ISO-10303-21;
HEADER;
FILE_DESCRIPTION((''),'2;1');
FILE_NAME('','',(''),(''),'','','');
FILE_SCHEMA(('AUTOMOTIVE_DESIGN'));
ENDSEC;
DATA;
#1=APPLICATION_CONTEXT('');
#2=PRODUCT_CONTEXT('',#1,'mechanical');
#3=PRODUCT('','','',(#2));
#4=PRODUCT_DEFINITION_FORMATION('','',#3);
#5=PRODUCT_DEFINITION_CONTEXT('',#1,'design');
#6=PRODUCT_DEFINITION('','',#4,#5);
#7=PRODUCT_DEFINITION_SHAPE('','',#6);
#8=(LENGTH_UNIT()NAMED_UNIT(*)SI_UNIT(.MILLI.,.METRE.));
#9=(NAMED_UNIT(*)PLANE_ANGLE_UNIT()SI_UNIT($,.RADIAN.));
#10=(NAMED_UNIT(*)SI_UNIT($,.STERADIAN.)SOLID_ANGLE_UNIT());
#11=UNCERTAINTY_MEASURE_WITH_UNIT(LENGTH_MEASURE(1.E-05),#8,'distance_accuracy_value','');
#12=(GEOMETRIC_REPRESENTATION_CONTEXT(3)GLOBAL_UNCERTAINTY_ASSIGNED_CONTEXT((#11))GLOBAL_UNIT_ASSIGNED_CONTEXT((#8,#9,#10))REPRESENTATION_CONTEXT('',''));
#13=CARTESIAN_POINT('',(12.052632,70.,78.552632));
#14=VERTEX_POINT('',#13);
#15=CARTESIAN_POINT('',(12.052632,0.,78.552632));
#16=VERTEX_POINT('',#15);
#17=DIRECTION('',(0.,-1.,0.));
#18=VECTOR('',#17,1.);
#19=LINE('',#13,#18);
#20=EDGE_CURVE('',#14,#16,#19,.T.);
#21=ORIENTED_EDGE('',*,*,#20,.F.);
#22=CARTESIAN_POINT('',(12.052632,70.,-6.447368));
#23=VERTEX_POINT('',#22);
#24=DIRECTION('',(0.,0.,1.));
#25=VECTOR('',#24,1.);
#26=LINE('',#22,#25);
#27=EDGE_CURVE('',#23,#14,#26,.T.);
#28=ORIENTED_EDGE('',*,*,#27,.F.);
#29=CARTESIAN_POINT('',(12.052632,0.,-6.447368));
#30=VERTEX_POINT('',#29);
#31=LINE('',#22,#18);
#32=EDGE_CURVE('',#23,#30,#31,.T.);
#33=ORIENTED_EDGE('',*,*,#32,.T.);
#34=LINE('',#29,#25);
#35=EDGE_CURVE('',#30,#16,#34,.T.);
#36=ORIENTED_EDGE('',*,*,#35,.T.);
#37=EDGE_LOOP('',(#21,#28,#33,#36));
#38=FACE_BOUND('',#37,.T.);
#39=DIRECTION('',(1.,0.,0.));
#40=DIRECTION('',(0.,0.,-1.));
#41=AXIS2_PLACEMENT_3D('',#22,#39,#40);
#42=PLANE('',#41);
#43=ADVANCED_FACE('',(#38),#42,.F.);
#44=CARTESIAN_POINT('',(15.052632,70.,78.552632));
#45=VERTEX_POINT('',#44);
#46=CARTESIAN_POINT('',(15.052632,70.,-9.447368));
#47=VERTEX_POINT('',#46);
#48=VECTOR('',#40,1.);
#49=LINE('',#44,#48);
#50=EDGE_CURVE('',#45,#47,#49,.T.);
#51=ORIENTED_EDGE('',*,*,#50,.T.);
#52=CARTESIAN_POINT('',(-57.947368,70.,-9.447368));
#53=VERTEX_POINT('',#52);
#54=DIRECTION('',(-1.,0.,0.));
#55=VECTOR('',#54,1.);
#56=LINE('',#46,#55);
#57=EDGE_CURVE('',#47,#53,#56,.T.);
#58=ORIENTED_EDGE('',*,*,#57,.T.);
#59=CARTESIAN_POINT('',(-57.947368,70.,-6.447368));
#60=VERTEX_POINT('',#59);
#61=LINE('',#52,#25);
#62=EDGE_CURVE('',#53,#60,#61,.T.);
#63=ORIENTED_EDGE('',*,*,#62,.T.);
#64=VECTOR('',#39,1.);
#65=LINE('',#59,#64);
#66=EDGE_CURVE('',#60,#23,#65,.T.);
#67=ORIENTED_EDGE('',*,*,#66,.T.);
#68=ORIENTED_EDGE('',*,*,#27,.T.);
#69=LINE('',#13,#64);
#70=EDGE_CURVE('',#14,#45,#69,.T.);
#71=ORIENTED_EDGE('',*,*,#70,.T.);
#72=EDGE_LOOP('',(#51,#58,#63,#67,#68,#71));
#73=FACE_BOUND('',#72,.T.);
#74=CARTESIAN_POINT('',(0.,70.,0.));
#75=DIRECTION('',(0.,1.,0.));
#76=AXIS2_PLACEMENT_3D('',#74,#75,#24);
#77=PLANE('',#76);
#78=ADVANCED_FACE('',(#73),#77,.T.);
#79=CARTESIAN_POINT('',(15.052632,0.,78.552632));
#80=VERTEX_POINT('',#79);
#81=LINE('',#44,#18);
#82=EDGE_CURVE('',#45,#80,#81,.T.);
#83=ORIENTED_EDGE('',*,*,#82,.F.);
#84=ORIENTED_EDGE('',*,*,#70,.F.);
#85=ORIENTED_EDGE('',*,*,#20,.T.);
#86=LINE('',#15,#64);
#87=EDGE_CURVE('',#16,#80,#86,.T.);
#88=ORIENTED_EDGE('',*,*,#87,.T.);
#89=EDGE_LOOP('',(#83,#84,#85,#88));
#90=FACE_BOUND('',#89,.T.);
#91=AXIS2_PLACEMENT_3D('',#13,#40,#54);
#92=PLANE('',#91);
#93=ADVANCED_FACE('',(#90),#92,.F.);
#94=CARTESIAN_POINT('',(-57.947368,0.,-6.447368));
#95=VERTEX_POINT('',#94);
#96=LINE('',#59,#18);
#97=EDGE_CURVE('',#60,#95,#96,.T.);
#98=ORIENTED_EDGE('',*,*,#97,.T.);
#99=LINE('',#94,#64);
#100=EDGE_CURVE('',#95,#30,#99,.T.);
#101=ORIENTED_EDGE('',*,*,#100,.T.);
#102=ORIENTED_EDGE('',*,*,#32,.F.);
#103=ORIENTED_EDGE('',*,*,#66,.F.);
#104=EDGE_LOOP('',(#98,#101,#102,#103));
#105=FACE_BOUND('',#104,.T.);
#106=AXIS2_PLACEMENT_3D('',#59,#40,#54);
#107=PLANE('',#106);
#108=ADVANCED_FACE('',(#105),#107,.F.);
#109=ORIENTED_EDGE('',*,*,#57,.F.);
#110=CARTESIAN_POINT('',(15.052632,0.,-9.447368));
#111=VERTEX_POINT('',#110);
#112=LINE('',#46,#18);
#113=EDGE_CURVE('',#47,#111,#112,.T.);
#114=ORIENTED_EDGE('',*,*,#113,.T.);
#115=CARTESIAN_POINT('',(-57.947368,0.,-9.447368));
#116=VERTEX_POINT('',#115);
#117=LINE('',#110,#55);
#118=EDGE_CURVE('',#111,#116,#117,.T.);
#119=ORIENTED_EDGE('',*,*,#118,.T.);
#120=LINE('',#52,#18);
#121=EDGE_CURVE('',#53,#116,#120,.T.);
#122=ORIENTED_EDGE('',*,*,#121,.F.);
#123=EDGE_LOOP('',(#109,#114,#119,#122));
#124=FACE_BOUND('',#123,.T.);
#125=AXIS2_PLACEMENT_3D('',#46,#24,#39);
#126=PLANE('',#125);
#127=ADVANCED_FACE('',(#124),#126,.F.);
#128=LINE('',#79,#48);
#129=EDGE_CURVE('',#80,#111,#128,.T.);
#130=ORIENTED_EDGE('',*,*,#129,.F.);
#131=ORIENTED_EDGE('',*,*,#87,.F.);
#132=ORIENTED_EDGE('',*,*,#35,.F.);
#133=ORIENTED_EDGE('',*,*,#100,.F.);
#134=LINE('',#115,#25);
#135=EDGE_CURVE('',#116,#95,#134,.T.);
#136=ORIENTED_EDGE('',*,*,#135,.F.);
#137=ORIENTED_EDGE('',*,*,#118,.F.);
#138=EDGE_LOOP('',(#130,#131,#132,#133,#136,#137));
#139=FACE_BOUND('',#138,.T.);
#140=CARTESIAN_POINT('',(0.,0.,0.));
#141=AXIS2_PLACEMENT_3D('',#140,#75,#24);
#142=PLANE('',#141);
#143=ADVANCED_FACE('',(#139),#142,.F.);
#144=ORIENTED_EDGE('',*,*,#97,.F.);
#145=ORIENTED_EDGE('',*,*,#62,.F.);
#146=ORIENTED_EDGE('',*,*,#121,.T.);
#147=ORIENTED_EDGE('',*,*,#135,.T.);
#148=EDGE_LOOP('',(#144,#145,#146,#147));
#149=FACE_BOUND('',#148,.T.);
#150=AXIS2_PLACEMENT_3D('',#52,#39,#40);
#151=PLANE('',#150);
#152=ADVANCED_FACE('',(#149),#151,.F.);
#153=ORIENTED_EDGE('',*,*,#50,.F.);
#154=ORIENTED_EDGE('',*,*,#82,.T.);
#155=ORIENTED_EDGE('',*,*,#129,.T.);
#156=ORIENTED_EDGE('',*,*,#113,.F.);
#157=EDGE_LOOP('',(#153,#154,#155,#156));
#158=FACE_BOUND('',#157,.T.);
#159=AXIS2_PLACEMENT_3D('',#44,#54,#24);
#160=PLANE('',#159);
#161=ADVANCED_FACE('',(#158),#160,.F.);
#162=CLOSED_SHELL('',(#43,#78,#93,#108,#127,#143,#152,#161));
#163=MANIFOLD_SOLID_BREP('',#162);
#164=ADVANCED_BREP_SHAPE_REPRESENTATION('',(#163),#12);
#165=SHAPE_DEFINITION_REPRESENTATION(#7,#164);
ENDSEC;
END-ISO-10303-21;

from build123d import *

# Parameters (mm, degrees)
BOSS_EXTRUDE1_DEPTH = 70


with BuildPart() as part:
    # Sketch1 → Boss-Extrude1 (new body)
    with BuildSketch(Plane(origin=(0, 0, 0), x_dir=(1, 0, 0), z_dir=(0, 1, 0))):
        Polygon((-57.947368421, 6.447368421), (12.052631579, 6.447368421), (12.052631579, -78.552631579), (15.052631579, -78.552631579), (15.052631579, 9.447368421), (-57.947368421, 9.447368421), align=None)
    extrude(amount=BOSS_EXTRUDE1_DEPTH)


solid = part.part
